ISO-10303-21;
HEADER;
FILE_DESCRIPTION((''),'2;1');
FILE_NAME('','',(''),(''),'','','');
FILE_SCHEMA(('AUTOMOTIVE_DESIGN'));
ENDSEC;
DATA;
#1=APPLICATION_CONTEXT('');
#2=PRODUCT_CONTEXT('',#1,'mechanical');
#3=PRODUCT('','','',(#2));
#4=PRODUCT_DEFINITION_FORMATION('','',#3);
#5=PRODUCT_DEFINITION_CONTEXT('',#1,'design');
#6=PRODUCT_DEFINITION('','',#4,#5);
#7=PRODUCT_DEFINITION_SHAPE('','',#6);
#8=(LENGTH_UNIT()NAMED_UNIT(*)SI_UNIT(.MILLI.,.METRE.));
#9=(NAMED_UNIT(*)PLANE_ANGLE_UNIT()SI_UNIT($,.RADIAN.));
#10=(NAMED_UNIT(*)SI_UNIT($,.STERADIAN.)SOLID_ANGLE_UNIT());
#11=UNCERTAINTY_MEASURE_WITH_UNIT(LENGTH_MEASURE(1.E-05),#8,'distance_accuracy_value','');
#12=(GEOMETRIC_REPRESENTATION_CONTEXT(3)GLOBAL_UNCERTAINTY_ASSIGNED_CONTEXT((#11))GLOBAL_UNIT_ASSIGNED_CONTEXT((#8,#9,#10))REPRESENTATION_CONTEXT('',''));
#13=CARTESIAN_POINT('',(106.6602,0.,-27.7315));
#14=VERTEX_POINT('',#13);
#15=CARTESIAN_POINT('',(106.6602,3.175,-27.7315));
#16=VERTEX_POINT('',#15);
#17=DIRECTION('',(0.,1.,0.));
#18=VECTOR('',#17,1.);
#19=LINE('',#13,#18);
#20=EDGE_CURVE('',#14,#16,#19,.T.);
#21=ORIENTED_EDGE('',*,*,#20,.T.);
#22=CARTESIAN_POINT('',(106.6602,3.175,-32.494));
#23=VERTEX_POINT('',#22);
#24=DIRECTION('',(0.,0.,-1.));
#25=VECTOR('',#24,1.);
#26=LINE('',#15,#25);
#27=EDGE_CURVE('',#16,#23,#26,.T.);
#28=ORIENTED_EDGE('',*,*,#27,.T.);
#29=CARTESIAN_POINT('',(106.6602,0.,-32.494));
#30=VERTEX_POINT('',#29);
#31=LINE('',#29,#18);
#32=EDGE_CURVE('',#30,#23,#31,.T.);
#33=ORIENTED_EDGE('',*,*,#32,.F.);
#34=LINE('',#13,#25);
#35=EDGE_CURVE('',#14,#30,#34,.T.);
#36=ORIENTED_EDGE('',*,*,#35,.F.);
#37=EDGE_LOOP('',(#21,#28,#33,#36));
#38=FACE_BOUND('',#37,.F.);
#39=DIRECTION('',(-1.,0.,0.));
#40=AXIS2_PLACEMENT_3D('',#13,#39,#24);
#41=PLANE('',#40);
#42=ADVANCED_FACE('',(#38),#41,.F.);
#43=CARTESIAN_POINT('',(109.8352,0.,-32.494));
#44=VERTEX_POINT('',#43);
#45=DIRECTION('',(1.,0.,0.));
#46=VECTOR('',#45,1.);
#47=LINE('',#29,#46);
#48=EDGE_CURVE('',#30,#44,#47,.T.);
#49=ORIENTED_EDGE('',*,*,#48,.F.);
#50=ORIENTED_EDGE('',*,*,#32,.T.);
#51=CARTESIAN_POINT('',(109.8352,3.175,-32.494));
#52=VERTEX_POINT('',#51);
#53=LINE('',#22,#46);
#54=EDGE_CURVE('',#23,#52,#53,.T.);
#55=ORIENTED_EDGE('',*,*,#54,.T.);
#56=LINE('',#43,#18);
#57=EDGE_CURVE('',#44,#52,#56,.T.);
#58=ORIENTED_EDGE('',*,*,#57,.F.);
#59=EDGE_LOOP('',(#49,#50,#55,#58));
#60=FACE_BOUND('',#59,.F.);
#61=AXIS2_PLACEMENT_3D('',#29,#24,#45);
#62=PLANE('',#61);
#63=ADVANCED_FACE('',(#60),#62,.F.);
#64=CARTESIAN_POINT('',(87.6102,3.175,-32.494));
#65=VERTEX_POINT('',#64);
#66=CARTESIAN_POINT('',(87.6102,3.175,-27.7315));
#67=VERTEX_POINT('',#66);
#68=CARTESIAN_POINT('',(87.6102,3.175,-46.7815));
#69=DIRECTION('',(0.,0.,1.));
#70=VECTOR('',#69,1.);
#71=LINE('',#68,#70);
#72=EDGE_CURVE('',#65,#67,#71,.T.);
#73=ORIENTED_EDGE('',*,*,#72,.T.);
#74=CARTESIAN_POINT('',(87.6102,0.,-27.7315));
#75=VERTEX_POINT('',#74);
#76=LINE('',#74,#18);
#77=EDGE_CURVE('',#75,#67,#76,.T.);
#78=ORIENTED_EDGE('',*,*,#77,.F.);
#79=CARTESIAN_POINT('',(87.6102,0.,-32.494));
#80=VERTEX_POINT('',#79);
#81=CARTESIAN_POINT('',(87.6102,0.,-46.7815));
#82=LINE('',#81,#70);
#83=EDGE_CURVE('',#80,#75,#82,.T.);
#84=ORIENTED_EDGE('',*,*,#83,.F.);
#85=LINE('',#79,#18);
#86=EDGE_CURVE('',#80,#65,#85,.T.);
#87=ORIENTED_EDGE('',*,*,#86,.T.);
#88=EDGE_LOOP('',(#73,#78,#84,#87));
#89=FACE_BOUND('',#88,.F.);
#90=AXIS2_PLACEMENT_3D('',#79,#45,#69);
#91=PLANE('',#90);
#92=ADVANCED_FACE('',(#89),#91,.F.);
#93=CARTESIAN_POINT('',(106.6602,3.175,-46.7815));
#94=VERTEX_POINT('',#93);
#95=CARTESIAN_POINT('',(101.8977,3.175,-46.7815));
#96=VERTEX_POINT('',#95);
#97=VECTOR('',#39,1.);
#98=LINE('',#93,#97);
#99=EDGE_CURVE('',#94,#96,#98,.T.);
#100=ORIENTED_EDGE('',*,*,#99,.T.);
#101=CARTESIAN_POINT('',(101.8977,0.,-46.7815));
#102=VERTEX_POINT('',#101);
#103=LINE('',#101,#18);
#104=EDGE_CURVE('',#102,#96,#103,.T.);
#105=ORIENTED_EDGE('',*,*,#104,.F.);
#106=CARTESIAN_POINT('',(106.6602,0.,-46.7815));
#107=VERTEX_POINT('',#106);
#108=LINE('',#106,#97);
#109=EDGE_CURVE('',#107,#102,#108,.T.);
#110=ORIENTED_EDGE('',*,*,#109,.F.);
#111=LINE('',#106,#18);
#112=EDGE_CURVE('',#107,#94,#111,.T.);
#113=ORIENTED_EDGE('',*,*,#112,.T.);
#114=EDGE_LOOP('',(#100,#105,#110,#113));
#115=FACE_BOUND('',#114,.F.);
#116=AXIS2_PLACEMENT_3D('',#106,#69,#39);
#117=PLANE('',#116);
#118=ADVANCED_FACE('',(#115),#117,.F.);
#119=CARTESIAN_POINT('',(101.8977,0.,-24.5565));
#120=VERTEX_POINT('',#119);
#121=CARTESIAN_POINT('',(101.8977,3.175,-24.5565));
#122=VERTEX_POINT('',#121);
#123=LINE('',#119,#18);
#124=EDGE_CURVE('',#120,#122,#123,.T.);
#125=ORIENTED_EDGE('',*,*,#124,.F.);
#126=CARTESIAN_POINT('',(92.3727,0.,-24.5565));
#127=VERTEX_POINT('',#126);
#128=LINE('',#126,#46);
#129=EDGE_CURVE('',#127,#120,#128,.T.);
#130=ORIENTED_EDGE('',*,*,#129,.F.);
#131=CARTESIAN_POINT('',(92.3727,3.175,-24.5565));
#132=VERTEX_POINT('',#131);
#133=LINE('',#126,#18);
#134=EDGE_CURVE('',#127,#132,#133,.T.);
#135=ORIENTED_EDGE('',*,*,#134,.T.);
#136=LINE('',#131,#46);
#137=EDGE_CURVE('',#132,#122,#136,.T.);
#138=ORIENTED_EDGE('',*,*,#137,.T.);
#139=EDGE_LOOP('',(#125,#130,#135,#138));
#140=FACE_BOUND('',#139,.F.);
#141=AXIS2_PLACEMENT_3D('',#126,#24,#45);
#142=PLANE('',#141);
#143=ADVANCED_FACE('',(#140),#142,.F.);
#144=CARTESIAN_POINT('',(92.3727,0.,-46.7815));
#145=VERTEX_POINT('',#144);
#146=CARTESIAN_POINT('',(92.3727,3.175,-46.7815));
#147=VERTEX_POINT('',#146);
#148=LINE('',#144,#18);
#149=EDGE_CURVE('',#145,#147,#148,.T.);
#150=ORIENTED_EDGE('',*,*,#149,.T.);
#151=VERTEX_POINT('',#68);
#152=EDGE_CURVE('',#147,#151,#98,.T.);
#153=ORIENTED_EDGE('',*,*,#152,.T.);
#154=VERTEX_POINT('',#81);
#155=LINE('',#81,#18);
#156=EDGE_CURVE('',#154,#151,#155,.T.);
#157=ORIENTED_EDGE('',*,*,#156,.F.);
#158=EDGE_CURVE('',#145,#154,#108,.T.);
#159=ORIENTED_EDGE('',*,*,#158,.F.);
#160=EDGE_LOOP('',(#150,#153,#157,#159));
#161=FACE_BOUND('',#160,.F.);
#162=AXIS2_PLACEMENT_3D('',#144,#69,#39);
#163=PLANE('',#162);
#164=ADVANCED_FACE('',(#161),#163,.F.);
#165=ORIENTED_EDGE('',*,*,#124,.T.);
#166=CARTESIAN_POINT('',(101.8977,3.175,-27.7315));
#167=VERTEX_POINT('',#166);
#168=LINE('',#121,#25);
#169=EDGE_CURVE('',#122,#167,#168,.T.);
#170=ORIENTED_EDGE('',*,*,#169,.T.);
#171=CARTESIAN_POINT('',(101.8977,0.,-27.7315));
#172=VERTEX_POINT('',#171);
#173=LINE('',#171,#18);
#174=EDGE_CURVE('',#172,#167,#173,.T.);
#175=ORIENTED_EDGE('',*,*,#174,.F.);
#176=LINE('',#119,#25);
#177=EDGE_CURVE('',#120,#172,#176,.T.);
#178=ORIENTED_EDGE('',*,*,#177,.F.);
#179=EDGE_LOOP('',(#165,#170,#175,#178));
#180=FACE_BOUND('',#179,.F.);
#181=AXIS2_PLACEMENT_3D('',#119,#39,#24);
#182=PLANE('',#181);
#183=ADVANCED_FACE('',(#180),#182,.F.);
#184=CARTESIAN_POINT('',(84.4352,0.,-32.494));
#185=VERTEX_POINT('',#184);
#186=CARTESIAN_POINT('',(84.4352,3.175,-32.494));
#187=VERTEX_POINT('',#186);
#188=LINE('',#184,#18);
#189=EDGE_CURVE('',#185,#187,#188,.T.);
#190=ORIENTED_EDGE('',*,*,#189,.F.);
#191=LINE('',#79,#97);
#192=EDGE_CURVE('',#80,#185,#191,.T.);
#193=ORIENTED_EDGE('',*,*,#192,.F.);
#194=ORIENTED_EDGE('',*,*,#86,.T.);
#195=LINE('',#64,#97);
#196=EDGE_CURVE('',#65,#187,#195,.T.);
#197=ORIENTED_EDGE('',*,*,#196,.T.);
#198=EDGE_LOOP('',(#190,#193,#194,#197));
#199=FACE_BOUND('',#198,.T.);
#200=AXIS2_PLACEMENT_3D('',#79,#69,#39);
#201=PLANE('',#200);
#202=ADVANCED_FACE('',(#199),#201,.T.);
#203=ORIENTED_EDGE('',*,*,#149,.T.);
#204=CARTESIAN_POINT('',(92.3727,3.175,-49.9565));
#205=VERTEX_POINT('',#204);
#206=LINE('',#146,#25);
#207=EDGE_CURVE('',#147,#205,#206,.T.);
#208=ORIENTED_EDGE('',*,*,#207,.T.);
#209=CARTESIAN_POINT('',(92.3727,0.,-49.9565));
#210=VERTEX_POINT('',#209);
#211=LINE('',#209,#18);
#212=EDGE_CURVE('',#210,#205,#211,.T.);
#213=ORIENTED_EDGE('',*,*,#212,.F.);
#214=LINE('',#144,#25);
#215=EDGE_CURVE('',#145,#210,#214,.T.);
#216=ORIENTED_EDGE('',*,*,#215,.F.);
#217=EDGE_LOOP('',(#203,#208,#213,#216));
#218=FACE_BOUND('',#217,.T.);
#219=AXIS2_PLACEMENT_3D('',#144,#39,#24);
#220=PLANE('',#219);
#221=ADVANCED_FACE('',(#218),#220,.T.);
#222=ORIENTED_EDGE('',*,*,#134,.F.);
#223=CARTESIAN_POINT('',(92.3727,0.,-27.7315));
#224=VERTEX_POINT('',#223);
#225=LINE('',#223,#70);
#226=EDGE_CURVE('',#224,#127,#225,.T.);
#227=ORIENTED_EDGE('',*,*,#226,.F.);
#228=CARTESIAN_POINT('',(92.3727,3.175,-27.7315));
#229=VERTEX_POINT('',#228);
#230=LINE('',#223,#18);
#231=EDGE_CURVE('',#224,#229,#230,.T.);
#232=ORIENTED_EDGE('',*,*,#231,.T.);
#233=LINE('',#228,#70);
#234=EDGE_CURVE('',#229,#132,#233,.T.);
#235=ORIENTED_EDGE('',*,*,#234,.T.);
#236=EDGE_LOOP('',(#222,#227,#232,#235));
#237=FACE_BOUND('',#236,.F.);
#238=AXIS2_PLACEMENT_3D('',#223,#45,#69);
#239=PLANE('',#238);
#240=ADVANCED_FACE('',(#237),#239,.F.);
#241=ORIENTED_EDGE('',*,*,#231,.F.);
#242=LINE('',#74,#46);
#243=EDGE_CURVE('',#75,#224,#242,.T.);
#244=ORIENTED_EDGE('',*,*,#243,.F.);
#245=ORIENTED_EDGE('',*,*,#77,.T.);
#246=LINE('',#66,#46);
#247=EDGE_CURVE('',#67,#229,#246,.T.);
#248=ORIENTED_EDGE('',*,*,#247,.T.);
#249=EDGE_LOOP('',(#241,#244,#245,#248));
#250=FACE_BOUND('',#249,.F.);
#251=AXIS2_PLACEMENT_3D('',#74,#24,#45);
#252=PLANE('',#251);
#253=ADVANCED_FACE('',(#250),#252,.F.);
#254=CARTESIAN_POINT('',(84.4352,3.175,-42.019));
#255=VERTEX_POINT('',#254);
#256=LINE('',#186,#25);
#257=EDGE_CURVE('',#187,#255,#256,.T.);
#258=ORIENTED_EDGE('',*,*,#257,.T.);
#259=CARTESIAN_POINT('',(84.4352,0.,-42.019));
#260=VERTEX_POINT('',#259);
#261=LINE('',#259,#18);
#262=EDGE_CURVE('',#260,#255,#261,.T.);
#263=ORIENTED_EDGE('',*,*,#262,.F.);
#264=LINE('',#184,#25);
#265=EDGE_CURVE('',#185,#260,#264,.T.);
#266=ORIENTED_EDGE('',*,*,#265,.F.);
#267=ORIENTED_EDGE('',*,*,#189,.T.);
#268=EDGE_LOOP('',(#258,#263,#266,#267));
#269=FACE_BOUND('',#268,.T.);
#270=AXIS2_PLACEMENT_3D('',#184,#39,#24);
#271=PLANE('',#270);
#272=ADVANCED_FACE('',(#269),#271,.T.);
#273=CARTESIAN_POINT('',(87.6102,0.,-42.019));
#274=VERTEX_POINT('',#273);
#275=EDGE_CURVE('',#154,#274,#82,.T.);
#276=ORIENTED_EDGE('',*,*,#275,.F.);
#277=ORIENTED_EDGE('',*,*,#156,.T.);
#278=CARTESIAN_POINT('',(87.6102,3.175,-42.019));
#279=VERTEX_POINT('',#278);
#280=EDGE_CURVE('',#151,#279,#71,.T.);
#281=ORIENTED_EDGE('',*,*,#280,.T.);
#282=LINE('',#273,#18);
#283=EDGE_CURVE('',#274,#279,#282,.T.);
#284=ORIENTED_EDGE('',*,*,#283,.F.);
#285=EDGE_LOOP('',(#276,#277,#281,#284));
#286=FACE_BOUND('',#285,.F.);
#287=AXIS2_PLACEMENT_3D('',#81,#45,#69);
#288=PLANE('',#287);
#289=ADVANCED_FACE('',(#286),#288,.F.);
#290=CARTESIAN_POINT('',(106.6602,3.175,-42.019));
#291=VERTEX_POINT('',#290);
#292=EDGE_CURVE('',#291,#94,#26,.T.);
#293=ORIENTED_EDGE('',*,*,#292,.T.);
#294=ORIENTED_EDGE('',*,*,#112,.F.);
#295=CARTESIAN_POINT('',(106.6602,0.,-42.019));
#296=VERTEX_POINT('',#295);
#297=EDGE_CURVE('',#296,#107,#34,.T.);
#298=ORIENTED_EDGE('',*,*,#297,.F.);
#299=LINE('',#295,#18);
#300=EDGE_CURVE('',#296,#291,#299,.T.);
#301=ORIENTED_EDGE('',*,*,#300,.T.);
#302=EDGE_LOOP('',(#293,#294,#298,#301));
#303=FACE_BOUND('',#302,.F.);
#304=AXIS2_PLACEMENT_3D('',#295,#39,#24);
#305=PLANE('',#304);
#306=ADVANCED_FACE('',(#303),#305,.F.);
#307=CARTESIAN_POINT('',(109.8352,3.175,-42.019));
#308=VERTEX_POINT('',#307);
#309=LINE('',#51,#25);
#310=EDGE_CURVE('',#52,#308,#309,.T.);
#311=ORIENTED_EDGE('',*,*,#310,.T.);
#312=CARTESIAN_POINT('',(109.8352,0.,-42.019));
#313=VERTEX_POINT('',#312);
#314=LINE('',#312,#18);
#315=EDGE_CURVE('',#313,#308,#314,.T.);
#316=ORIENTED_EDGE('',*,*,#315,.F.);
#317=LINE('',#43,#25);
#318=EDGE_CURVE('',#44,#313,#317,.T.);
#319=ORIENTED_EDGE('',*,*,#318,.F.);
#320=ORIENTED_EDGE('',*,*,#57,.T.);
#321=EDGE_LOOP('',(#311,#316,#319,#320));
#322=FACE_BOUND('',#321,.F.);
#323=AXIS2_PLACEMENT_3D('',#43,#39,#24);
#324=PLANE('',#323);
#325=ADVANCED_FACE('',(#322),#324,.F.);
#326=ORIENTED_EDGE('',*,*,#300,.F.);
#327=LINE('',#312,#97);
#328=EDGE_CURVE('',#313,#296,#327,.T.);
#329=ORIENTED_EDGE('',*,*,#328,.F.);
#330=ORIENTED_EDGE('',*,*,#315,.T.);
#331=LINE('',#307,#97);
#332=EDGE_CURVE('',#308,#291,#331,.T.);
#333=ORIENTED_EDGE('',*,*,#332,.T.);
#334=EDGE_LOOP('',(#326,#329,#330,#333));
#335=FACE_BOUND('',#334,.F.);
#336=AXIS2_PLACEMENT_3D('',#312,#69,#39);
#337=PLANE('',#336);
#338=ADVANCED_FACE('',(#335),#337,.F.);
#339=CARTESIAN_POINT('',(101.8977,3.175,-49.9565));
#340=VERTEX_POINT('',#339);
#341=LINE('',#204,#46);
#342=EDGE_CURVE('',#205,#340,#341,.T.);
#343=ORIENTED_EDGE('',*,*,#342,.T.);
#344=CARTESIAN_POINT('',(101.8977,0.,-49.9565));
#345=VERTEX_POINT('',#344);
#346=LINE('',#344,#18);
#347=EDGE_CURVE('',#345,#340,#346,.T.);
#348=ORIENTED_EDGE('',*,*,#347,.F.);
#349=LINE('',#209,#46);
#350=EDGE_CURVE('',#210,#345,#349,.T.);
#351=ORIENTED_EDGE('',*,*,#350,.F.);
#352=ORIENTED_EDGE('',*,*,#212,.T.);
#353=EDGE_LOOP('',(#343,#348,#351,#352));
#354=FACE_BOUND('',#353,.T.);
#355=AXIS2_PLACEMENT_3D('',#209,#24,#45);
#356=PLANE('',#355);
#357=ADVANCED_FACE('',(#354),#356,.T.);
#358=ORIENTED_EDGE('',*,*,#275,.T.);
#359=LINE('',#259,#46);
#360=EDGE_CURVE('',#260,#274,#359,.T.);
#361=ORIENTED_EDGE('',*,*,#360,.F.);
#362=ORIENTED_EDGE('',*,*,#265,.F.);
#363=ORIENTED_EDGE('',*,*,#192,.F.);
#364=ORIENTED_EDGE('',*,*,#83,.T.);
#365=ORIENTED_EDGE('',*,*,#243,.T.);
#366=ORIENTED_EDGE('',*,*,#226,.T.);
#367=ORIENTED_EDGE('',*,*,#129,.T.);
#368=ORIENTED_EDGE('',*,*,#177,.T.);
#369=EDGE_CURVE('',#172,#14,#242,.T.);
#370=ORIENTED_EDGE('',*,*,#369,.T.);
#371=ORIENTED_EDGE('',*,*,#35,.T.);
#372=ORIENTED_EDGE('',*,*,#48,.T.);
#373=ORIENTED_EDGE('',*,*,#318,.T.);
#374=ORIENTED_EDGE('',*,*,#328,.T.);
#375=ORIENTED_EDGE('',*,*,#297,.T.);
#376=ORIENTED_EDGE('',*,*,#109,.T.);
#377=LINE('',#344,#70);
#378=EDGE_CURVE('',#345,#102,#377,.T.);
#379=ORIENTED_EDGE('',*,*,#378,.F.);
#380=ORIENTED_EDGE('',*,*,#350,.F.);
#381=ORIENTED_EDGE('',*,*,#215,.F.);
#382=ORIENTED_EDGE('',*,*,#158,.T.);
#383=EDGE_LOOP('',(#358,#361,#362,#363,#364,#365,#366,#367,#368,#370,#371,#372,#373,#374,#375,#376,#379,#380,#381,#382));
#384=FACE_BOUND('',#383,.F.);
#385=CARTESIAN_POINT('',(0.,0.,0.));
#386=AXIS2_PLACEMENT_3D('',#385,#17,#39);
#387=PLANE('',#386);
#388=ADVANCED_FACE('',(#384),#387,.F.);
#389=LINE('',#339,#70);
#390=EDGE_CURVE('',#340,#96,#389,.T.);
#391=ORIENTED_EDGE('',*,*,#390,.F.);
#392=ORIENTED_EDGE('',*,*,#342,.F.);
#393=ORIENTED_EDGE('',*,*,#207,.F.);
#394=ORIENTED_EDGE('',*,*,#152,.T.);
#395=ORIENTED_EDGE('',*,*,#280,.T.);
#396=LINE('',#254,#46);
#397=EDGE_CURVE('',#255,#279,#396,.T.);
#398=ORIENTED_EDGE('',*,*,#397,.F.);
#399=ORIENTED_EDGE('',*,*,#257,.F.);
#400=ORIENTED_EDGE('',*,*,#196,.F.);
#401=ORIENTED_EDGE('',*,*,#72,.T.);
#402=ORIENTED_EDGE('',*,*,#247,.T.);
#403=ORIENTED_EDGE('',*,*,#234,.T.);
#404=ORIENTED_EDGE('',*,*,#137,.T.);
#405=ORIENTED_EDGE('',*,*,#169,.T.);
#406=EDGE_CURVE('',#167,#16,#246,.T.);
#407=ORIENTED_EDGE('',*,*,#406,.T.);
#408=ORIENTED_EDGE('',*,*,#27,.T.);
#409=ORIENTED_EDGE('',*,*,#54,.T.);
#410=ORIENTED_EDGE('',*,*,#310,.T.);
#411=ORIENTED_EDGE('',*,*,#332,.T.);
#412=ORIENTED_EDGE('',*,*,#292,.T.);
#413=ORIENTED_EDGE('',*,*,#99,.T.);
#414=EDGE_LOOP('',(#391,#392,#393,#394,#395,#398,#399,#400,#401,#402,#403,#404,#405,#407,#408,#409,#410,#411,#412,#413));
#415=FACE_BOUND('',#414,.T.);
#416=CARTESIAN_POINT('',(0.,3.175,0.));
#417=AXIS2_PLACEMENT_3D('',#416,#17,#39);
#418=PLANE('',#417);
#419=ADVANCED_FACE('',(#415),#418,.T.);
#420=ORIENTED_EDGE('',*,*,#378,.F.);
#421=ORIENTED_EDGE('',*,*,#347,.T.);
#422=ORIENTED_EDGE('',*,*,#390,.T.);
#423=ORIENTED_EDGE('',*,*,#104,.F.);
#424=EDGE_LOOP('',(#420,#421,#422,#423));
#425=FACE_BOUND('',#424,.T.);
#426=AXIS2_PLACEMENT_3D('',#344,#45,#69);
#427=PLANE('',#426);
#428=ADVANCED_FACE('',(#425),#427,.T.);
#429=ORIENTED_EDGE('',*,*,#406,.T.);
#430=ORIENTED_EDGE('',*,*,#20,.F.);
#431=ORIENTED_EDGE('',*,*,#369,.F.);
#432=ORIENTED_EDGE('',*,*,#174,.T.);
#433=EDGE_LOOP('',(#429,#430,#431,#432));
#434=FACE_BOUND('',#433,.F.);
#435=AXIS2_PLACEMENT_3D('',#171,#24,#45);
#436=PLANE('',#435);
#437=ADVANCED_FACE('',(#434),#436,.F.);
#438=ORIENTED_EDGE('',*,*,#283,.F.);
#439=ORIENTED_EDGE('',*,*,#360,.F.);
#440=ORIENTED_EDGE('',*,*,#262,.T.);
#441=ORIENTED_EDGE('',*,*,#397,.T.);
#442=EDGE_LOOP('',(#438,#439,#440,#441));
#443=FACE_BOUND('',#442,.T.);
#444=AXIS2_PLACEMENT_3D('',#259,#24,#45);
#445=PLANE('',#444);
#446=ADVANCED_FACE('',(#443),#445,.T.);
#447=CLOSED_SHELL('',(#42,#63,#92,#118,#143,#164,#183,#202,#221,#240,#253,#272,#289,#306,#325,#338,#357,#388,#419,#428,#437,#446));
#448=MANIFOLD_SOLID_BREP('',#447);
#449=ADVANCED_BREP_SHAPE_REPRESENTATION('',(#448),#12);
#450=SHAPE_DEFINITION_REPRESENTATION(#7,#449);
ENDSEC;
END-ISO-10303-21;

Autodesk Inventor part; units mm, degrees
ref_plane "YZ Plane" through (0, 0, 0) normal (1, 0, 0) x (0, 1, 0)
ref_plane "XZ Plane" through (0, 0, 0) normal (0, 1, 0) x (-1, 0, 0)
ref_plane "XY Plane" through (0, 0, 0) normal (0, 0, 1) x (1, 0, 0)
sketch "Sketch1" plane through (0, 0, 0) normal (0, 1, 0) x (-1, 0, 0)
  line L0 (-87.6102, -27.7315) -> (-106.6602, -27.7315)
  line L1 (-106.6602, -27.7315) -> (-106.6602, -46.7815)
  line L2 (-106.6602, -46.7815) -> (-87.6102, -46.7815)
  line L3 (-87.6102, -46.7815) -> (-87.6102, -27.7315)
  line L4 (-106.6602, -32.494) -> (-109.8352, -32.494)
  line L5 (-109.8352, -32.494) -> (-109.8352, -42.019)
  line L6 (-109.8352, -42.019) -> (-106.6602, -42.019)
  line L7 (-106.6602, -42.019) -> (-106.6602, -32.494)
  line L8 (-101.8977, -46.7815) -> (-92.3727, -46.7815)
  line L9 (-92.3727, -46.7815) -> (-92.3727, -49.9565)
  line L10 (-92.3727, -49.9565) -> (-101.8977, -49.9565)
  line L11 (-101.8977, -49.9565) -> (-101.8977, -46.7815)
  line L12 (-87.6102, -32.494) -> (-84.4352, -32.494)
  line L13 (-84.4352, -32.494) -> (-84.4352, -42.019)
  line L14 (-84.4352, -42.019) -> (-87.6102, -42.019)
  line L15 (-87.6102, -42.019) -> (-87.6102, -32.494)
  line L16 (-101.8977, -27.7315) -> (-92.3727, -27.7315)
  line L17 (-92.3727, -27.7315) -> (-92.3727, -24.5565)
  line L18 (-92.3727, -24.5565) -> (-101.8977, -24.5565)
  line L19 (-101.8977, -24.5565) -> (-101.8977, -27.7315)
  point P0 (0, 0)
  dimension "d0" = 19.05
  dimension "d1" = 19.05
  dimension "d2" = 3.175
  dimension "d3" = 4.7625
  dimension "d4" = 4.7625
  dimension "d5" = 4.7625
  dimension "d6" = 3.175
  dimension "d7" = 4.7625
  dimension "d8" = 3.175
  dimension "d9" = 4.7625
  dimension "d10" = 3.175
extrude "Extrusion1" add sketch "Sketch1" along normal blind 3.175
